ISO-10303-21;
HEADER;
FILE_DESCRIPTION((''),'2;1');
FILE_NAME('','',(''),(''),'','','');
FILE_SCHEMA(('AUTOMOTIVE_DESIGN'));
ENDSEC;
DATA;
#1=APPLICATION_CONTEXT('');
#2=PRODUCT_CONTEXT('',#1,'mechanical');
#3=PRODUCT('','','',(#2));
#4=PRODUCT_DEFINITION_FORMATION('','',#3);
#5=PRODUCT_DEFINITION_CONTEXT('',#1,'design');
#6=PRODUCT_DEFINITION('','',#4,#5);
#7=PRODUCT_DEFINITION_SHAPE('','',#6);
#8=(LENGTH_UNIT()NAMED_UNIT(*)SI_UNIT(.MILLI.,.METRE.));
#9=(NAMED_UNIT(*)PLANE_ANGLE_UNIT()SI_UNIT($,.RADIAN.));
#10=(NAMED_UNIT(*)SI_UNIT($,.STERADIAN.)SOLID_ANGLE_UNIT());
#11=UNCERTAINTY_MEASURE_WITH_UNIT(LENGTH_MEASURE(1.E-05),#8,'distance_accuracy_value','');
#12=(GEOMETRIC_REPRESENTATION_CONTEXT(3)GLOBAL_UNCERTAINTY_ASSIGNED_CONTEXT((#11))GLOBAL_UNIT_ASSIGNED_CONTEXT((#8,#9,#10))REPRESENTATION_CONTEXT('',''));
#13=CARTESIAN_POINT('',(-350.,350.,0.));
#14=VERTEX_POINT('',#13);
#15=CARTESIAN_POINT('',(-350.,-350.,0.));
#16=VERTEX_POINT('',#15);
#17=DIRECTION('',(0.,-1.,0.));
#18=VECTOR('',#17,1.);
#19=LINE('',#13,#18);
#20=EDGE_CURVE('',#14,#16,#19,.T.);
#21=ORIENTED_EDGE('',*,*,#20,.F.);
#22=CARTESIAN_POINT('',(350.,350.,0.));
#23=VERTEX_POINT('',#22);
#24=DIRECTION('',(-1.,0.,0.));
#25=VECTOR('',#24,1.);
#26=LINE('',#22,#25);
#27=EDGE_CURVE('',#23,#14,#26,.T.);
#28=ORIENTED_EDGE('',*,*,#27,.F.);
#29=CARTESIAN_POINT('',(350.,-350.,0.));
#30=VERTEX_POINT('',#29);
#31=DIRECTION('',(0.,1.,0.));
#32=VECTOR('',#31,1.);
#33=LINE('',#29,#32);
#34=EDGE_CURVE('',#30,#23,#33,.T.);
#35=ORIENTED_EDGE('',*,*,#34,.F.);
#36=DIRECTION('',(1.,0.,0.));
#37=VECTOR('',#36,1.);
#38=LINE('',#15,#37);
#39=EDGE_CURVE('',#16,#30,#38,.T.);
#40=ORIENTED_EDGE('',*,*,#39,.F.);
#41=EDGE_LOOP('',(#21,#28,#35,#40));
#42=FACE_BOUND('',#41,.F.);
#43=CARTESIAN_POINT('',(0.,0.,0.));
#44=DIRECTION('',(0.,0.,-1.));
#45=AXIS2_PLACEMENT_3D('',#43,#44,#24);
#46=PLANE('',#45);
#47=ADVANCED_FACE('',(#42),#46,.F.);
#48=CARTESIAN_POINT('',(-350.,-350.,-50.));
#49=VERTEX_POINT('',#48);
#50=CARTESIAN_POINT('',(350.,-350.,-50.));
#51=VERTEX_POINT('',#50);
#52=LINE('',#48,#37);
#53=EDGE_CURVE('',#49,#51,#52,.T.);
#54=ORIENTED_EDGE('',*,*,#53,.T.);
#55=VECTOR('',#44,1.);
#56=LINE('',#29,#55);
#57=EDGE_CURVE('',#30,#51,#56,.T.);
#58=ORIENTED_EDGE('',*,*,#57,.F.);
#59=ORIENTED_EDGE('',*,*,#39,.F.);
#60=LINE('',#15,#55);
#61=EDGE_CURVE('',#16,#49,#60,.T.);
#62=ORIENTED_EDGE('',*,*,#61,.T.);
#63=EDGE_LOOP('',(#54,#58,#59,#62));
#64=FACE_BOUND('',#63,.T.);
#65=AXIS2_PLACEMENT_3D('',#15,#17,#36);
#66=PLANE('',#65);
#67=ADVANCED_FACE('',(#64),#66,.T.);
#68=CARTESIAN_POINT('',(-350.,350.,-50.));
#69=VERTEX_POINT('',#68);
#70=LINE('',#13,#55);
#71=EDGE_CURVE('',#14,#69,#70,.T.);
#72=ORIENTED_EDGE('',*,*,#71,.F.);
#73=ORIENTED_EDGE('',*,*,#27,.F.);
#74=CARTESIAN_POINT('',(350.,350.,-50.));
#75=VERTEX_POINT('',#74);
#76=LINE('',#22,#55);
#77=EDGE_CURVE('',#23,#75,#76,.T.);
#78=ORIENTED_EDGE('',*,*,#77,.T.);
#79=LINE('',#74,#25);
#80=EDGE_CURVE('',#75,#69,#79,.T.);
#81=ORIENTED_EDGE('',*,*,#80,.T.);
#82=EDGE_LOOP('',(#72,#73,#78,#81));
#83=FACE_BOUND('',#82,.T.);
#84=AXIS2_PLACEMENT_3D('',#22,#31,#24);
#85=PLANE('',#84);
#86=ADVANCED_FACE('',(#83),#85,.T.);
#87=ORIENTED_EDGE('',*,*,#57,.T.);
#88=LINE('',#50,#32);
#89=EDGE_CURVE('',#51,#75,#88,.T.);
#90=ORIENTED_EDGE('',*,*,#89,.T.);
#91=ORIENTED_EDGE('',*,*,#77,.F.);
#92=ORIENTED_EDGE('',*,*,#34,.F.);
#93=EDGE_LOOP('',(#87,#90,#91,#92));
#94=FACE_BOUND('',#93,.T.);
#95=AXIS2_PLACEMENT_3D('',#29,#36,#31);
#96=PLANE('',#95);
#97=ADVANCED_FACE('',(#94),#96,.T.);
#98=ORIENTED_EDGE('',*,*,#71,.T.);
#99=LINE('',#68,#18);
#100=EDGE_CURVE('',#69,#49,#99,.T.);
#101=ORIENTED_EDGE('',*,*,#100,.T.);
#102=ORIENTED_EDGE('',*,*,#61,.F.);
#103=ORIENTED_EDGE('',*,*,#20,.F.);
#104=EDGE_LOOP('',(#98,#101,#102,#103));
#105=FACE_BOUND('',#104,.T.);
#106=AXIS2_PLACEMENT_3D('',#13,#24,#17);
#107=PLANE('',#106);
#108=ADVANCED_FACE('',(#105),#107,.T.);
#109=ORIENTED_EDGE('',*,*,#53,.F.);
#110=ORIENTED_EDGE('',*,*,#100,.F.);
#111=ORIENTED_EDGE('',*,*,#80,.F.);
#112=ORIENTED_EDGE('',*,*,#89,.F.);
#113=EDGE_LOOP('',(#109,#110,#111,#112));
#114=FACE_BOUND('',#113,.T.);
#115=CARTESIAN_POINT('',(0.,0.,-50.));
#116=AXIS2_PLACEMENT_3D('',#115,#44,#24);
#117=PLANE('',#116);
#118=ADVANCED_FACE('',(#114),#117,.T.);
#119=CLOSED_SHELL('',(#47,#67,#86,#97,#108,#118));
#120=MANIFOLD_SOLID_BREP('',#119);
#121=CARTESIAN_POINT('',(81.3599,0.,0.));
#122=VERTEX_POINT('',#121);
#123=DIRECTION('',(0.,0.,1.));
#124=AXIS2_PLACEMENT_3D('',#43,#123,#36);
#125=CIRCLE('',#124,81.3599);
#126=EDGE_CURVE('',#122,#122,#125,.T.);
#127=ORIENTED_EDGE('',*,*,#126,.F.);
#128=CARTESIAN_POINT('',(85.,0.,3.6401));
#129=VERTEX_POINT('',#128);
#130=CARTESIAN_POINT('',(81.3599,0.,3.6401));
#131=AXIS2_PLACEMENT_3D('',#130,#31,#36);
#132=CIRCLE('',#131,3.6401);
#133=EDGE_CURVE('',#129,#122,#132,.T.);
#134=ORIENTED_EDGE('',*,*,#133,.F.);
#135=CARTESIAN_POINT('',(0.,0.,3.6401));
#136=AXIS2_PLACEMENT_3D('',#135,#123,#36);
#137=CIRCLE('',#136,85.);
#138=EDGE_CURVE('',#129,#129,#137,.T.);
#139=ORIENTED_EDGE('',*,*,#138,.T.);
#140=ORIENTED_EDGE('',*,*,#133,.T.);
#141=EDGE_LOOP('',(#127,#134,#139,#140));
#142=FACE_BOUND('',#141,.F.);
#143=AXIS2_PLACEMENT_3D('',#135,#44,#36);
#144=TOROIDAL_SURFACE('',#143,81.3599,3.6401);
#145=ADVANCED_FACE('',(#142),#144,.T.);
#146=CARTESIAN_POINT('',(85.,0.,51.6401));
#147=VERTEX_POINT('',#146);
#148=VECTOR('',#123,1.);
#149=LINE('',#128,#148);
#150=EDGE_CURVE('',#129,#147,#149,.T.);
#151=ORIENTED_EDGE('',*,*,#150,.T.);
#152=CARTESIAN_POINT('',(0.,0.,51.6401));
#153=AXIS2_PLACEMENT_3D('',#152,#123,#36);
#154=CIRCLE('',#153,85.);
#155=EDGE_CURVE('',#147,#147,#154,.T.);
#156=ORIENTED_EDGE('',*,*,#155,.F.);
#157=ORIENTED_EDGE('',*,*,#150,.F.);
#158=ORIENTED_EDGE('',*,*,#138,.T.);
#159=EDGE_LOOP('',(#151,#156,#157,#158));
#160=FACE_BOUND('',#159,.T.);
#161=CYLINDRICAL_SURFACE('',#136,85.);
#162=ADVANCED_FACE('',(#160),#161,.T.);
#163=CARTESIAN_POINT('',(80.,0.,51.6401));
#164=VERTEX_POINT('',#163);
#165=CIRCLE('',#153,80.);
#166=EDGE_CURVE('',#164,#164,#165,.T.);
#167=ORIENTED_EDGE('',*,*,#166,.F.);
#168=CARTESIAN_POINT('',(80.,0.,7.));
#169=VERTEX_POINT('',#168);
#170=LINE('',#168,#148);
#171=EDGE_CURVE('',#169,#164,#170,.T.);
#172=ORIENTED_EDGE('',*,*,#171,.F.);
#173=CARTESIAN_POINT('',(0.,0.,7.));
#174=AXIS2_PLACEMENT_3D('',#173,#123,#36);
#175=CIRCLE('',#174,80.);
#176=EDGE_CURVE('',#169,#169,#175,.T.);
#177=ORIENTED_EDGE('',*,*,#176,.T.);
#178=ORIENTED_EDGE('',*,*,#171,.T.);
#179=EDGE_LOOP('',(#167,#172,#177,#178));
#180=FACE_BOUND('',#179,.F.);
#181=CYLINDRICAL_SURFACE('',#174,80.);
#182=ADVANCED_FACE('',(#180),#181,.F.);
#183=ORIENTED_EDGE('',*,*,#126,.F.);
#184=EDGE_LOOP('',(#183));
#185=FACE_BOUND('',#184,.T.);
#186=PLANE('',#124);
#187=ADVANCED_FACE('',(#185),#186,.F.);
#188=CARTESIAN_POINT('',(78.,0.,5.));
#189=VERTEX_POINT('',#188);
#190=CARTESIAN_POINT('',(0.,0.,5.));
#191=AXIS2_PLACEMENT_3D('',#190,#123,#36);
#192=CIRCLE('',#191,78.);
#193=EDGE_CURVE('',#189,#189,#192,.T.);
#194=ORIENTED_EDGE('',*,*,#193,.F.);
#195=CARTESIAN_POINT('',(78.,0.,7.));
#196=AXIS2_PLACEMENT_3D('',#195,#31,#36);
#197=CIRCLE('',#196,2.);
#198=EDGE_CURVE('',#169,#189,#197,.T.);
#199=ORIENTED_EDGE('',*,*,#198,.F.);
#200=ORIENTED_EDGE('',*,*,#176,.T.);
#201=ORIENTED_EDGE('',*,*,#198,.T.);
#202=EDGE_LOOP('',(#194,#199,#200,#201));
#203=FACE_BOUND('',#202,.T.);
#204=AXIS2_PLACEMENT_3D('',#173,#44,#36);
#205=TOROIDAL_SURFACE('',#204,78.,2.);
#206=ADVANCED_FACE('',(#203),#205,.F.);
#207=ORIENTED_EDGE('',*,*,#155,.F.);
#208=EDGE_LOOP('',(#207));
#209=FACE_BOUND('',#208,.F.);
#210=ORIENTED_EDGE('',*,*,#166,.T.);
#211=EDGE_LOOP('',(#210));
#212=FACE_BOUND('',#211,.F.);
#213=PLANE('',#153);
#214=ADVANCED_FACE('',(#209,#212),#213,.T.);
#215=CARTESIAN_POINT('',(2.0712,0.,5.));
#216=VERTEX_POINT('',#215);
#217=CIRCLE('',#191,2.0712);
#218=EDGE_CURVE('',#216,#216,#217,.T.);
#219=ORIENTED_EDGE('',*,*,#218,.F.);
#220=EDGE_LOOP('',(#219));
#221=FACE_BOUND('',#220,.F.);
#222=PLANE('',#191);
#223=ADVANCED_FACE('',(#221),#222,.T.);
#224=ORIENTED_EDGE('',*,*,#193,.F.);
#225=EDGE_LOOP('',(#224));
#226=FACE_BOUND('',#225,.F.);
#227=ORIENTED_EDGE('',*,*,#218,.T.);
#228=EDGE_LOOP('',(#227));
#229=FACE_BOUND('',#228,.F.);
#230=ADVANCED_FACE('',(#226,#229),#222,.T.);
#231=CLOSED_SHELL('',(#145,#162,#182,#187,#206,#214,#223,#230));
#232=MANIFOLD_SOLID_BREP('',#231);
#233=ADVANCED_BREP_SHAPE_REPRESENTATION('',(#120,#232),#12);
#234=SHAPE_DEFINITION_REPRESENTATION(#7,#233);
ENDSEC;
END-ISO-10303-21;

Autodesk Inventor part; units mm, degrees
ref_plane "YZ Plane" through (0, 0, 0) normal (1, 0, 0) x (0, 1, 0)
ref_plane "XZ Plane" through (0, 0, 0) normal (0, 1, 0) x (-1, 0, 0)
ref_plane "XY Plane" through (0, 0, 0) normal (0, 0, 1) x (1, 0, 0)
sketch "Эскиз3" plane through (0, 0, 0) normal (0, 1, 0) x (-1, 0, 0)
  line L0 (0, 0) -> (-81.3599, 0)
  arc A0 (-85, 3.6401) -> (-81.3599, 0) centre (-81.3599, 3.6401) ccw
  line L1 (-2.0712, 5) -> (-78, 5)
  arc A1 (-80, 7) -> (-78, 5) centre (-78, 7) ccw
  line L2 (0, 0) -> (0, 5)
  line L3 (0, 5) -> (-2.0712, 5)
  line L4 (0, -11.2327) -> (0, 62.1188) projected
  line L5 (-85, 3.6401) -> (-85, 51.6401)
  line L6 (-80, 7) -> (-80, 51.6401)
  line L7 (-80, 51.6401) -> (-85, 51.6401)
  dimension "d7" = 5
  dimension "d11" = 48
  dimension "d16" = 85
  dimension "d17" = 5
revolve "Вращение1" add sketch "Эскиз3" angle 360 about axis through (0, 0, -10) along (0, 0, 1)
sketch "Эскиз4" plane through (0, 0, 0) normal (0, 0, -1) x (-1, 0, 0)
  point P0 (0, 0)
sketch "Эскиз5" plane through (0, 0, 0) normal (0, 0, -1) x (-1, 0, 0)
  line L0 (350, -350) -> (-350, -350)
  line L1 (-350, -350) -> (-350, 350)
  line L2 (-350, 350) -> (350, 350)
  line L3 (350, 350) -> (350, -350)
  line L4 (350, -350) -> (-350, 350) construction
  line L5 (-350, -350) -> (350, 350) construction
  point P0 (0, 0)
  dimension "d12" = 700
  dimension "d13" = 700
extrude "Выдавливание2" add sketch "Эскиз5" along normal blind 50 separate body
properties part number "крепеж крышки+доска"
